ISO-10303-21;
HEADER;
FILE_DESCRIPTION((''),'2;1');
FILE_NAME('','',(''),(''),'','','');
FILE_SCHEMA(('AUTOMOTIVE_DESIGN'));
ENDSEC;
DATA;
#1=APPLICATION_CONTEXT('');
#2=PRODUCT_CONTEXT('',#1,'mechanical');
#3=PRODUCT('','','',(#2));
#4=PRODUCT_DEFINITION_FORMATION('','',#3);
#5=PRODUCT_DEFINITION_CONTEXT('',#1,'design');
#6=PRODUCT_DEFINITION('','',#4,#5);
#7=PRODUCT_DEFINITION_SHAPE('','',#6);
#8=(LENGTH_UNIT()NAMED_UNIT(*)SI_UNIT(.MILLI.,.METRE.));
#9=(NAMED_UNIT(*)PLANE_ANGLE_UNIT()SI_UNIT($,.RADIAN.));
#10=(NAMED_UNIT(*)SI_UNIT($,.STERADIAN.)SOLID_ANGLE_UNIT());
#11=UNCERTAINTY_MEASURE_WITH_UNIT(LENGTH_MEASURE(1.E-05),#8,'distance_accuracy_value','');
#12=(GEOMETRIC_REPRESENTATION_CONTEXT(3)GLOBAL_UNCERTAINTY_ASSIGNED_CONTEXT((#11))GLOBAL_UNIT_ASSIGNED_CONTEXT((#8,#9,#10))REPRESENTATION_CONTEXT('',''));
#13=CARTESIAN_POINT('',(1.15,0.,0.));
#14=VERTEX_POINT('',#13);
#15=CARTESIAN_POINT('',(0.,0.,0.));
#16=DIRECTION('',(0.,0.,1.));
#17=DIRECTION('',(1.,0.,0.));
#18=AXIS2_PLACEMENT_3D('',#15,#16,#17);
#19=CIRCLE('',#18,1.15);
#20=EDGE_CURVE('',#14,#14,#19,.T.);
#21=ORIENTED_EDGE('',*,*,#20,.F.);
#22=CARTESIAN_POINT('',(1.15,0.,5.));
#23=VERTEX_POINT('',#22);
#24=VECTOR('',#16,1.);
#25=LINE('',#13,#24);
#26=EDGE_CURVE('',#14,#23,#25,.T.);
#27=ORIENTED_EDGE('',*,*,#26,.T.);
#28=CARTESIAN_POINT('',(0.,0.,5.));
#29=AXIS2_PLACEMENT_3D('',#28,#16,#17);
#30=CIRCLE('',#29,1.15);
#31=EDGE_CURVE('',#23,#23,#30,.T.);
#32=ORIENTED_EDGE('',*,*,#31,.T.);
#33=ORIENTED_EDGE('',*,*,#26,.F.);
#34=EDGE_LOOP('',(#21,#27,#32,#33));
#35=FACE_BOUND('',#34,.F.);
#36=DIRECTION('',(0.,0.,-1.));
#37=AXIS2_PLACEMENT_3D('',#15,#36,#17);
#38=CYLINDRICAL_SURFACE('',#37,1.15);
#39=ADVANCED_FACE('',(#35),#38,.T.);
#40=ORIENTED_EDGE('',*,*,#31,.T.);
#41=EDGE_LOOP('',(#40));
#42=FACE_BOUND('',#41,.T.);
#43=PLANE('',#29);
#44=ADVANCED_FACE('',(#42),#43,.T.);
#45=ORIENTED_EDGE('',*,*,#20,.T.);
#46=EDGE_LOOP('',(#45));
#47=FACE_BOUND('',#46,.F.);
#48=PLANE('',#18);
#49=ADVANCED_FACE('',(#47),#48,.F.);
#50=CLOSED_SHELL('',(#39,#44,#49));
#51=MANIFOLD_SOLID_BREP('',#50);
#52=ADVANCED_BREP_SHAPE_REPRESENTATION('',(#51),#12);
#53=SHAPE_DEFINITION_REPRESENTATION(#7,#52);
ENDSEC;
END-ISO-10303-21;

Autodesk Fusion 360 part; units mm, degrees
sketch "Sketch1" plane through (0, 0, 0) normal (0, 0, 1) x (1, 0, 0)
  circle A0 centre (0, 0) radius 1.15
  dimension "d1" = 2.3
extrude "Extrude1" add sketch "Sketch1" along normal blind 5
